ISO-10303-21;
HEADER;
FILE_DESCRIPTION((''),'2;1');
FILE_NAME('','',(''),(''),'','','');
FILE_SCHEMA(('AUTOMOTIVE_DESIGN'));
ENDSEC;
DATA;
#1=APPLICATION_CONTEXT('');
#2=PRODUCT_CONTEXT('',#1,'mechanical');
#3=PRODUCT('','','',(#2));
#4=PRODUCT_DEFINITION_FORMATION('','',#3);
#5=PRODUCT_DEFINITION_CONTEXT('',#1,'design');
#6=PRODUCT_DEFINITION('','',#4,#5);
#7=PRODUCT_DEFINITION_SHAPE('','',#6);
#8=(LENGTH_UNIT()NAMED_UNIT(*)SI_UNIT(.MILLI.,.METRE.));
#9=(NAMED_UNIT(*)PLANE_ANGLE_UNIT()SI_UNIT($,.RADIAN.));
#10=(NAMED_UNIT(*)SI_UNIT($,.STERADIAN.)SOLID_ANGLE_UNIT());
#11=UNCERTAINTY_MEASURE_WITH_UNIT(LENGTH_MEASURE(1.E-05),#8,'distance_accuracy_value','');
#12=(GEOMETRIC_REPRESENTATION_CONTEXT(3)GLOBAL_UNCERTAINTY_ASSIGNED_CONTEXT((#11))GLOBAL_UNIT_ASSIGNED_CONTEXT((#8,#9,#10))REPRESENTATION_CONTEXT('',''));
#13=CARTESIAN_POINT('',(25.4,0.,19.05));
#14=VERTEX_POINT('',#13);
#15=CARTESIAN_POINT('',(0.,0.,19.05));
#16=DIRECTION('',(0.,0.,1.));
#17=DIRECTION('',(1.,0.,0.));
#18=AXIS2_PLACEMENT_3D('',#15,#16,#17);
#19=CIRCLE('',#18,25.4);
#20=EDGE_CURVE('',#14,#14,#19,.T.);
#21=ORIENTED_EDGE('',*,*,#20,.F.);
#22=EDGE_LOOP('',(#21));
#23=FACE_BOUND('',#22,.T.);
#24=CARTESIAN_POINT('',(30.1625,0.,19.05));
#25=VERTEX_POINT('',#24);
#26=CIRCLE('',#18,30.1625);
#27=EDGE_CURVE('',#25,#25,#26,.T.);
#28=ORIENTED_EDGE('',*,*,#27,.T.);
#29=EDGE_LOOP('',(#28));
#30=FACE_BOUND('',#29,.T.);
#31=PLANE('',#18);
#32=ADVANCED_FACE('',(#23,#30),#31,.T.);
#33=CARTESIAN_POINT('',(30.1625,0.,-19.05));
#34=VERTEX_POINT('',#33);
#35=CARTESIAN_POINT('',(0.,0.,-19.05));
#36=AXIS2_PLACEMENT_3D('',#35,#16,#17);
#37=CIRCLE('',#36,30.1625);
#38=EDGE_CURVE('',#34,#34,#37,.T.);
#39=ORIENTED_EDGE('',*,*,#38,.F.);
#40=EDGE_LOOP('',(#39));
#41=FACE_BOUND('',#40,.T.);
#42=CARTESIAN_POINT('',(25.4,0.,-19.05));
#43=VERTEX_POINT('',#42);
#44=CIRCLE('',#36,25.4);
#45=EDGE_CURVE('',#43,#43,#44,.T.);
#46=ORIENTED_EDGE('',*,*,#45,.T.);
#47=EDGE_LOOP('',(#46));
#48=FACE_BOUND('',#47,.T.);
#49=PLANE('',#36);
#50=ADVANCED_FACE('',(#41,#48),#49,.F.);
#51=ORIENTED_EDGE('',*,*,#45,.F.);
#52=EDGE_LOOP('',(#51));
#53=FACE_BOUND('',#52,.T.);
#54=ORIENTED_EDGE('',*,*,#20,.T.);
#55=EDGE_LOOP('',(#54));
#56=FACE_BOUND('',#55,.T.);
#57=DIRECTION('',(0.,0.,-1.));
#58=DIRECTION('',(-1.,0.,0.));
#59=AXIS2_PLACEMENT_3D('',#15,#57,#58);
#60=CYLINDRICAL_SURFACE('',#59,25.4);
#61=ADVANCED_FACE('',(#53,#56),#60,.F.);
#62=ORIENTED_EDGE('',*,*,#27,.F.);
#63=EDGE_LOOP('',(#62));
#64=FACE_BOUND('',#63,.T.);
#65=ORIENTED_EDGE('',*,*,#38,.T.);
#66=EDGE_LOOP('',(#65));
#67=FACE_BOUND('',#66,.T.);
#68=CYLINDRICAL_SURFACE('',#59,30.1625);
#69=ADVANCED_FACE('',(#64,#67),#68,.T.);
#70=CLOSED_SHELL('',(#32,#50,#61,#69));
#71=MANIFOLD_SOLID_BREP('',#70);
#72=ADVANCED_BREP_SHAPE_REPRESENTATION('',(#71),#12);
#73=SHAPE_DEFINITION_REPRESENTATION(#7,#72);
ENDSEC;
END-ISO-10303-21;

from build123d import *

# Parameters (mm, degrees)
SKETCH1_R      = 30.1625
SKETCH1_R_2    = 25.4
EXTRUDE1_DEPTH = 19.05


with BuildPart() as part:
    # Sketch1 → Extrude1 (new body, symmetric)
    with BuildSketch(Plane.XY):
        Circle(SKETCH1_R)
        Circle(SKETCH1_R_2, mode=Mode.SUBTRACT)
    extrude(amount=EXTRUDE1_DEPTH, both=True)


solid = part.part
